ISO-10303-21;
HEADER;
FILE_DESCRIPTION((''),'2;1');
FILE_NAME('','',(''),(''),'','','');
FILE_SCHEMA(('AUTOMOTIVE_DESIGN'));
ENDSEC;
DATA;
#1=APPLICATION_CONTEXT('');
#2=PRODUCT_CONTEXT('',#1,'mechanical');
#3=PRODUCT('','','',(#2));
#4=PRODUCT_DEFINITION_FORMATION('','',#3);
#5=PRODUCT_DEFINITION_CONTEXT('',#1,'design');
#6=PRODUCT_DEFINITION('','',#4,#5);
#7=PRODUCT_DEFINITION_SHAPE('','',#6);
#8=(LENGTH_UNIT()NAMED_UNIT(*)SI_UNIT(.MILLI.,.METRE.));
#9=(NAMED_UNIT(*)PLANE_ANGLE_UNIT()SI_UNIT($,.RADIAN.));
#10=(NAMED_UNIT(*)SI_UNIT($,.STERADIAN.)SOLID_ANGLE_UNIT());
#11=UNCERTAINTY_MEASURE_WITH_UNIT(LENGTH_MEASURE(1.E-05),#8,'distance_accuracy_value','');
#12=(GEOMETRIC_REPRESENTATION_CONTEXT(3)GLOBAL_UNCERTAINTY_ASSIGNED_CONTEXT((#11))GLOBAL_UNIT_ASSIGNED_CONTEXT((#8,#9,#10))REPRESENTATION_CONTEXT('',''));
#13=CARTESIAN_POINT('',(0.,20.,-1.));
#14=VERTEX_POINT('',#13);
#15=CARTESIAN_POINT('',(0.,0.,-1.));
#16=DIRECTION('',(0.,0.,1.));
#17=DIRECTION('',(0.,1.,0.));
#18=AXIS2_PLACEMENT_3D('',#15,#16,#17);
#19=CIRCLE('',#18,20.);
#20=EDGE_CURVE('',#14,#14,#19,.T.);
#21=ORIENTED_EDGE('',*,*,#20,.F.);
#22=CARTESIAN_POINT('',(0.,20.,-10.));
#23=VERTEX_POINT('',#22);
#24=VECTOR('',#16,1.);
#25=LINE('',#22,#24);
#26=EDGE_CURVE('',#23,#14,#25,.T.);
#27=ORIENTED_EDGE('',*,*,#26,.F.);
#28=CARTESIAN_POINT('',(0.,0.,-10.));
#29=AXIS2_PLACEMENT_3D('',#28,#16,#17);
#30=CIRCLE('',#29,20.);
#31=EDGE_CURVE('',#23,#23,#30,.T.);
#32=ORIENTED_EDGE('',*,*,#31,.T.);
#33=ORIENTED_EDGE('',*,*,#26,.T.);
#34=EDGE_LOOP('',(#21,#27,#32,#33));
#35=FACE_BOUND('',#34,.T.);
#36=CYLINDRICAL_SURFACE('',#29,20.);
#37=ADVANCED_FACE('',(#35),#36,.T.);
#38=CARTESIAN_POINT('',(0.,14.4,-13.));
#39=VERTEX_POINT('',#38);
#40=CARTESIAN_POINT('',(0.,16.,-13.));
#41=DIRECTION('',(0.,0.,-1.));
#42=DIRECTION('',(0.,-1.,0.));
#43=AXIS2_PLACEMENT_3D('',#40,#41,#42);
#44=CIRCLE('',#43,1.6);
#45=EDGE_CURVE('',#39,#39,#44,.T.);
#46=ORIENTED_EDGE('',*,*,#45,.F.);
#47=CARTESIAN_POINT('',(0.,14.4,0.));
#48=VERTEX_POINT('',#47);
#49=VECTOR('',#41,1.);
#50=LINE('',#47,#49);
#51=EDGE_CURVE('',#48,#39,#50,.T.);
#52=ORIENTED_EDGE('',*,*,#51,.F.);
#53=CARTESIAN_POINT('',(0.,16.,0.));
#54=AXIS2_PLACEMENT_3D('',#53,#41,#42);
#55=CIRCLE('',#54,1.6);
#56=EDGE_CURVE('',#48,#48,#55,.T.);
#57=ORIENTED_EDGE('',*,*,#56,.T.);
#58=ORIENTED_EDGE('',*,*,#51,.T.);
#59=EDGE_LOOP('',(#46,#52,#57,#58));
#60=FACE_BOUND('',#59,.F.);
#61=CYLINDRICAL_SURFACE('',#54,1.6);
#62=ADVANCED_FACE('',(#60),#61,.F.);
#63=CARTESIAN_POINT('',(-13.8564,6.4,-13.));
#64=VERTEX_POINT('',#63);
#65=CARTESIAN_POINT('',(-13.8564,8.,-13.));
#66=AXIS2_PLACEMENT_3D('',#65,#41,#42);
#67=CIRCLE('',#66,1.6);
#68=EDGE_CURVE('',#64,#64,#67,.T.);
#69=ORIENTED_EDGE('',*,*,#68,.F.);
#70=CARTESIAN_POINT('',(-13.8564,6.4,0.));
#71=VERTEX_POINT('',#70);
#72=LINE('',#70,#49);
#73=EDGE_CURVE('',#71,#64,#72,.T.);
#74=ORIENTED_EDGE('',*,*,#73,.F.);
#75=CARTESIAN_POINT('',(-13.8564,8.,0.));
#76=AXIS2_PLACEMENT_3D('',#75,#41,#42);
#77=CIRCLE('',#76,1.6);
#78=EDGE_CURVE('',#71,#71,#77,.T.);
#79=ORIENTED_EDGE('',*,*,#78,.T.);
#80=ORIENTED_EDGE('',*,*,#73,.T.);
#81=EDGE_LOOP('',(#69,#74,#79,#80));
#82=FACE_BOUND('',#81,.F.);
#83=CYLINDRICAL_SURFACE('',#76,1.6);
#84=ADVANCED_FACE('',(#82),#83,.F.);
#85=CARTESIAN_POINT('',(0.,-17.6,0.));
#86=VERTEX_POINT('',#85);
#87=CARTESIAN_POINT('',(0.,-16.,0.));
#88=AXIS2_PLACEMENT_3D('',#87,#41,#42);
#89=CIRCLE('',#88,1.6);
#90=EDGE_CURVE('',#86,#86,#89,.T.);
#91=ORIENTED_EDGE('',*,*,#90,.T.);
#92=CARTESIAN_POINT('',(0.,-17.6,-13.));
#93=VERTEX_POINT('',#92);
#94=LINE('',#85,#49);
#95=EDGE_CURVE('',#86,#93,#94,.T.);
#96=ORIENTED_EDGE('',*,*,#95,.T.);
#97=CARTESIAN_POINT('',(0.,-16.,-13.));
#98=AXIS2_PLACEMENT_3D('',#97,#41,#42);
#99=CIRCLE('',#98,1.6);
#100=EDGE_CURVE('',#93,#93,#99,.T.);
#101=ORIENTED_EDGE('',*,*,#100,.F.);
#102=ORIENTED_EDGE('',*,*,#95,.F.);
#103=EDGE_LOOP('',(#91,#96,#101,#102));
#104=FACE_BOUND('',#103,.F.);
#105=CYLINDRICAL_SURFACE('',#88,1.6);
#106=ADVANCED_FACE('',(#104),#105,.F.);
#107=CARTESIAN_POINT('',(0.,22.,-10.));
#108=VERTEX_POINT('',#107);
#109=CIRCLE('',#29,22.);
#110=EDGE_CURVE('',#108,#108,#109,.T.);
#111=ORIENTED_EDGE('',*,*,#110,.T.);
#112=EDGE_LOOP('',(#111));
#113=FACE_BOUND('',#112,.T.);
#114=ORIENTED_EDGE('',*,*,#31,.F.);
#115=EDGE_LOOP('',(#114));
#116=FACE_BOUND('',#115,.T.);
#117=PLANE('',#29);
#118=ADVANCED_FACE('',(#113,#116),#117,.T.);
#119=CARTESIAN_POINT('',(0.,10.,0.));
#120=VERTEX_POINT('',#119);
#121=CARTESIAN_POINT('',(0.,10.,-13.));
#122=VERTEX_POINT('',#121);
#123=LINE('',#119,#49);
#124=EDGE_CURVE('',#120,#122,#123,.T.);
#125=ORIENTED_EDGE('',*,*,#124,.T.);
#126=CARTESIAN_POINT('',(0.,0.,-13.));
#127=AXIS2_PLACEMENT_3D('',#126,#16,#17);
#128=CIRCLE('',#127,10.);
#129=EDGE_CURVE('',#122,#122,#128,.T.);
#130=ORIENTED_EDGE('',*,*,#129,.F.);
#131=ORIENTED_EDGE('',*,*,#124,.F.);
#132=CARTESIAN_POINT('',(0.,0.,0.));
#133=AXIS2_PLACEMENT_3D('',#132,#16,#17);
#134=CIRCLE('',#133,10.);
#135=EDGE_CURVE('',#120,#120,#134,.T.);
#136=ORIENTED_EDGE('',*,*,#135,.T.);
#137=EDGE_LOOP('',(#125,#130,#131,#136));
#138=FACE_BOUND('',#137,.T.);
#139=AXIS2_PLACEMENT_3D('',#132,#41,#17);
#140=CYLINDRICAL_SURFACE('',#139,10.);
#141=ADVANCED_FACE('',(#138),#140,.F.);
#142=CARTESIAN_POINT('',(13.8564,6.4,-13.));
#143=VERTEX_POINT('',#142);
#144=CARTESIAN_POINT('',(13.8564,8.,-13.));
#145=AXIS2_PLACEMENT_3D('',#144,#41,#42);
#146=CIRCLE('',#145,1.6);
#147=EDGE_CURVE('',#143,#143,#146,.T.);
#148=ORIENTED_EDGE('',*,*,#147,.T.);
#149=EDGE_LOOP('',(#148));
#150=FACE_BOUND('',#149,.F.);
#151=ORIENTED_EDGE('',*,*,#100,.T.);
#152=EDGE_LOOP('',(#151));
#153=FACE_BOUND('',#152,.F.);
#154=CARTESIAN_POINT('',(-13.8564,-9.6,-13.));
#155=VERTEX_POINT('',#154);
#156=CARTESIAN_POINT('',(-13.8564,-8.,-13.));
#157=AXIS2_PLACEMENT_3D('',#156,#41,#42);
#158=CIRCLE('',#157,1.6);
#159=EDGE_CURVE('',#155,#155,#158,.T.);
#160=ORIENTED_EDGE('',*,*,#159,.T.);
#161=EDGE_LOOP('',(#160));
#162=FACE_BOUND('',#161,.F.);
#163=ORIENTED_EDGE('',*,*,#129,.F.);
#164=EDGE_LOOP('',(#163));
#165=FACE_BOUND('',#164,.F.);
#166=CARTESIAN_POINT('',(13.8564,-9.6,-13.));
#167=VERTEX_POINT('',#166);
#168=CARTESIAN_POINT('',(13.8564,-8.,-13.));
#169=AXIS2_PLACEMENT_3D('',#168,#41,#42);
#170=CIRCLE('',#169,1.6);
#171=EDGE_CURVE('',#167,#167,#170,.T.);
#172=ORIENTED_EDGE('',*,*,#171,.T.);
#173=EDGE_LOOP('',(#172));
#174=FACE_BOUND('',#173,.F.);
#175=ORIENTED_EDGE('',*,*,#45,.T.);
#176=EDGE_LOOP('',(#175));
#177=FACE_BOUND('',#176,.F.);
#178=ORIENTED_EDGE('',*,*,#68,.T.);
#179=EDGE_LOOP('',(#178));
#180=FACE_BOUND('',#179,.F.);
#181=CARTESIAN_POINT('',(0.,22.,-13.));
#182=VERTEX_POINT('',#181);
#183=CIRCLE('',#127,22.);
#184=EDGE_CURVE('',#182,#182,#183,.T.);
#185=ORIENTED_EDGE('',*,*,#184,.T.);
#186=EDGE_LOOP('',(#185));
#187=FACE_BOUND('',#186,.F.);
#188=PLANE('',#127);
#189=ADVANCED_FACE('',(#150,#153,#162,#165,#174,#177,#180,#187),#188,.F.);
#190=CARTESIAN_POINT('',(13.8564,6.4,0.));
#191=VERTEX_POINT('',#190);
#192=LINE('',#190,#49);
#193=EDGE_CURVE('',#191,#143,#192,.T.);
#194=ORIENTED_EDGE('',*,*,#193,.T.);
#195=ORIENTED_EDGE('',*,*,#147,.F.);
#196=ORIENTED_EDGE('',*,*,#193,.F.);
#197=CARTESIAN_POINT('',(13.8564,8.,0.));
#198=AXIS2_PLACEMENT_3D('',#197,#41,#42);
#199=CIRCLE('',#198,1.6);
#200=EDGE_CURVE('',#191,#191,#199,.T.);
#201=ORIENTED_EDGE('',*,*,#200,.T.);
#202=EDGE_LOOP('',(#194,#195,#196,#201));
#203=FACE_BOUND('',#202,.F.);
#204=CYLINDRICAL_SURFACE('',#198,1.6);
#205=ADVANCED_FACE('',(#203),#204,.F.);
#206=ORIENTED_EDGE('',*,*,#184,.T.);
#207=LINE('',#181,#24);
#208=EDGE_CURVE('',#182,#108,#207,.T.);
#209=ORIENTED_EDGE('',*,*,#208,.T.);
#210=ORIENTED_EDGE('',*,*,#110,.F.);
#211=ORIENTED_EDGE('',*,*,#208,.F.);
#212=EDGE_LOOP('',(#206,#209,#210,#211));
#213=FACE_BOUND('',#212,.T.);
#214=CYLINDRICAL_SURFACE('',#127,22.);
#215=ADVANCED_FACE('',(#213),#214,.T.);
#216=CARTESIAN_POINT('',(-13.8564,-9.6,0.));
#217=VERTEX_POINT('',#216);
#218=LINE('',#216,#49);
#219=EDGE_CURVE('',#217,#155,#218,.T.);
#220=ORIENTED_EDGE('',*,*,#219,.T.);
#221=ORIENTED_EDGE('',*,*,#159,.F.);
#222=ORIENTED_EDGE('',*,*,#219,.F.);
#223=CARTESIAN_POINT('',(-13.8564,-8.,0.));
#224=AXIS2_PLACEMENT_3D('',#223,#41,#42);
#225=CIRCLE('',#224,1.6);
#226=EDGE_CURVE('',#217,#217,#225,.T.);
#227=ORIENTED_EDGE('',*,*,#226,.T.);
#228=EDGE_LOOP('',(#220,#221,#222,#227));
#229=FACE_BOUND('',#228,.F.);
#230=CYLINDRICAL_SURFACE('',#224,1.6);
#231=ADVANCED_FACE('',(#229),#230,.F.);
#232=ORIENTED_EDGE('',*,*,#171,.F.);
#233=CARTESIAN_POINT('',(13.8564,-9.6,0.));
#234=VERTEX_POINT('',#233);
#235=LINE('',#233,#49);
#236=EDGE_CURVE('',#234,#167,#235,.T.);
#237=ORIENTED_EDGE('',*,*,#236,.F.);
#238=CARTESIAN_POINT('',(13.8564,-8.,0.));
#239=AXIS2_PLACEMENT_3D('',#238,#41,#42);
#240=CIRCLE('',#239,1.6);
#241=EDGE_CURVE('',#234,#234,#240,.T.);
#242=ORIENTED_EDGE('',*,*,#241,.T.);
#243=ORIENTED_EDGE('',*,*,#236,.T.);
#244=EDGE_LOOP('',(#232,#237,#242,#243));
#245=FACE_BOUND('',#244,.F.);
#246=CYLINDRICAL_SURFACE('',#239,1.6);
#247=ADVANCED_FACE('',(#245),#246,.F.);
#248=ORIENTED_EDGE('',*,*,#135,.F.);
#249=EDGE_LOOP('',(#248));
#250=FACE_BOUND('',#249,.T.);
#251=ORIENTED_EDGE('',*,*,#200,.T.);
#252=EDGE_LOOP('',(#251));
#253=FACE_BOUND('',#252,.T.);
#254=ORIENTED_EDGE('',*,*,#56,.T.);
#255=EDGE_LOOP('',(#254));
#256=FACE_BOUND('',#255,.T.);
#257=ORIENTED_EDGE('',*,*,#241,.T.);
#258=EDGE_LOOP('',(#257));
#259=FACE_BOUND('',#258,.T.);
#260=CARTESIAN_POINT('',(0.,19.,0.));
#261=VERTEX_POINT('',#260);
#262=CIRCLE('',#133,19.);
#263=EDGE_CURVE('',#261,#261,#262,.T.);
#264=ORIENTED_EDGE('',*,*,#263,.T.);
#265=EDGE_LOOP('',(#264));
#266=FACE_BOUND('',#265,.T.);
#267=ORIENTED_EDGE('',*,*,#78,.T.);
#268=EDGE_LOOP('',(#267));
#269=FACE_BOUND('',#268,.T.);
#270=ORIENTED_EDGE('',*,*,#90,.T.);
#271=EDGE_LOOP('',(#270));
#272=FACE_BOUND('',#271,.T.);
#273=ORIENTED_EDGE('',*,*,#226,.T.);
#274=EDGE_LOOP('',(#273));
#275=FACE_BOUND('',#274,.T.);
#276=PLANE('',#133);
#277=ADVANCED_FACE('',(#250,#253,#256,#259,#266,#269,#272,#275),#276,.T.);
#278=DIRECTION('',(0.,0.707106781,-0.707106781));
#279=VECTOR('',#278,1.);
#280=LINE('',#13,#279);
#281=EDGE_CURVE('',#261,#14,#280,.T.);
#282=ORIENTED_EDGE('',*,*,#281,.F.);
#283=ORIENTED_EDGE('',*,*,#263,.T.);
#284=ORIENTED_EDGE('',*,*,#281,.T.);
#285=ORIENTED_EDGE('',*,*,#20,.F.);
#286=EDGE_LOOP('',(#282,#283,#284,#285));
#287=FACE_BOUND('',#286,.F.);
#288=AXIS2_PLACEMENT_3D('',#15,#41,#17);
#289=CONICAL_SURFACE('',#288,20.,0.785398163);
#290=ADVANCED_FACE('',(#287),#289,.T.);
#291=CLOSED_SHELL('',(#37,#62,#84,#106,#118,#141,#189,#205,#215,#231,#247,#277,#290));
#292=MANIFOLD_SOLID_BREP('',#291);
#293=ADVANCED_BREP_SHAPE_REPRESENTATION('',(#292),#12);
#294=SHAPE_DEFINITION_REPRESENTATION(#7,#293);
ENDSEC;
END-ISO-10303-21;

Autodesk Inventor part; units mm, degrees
ref_plane "YZ Plane" through (0, 0, 0) normal (1, 0, 0) x (0, 1, 0)
ref_plane "XZ Plane" through (0, 0, 0) normal (0, 1, 0) x (-1, 0, 0)
ref_plane "XY Plane" through (0, 0, 0) normal (0, 0, 1) x (1, 0, 0)
sketch "スケッチ1" plane through (0, 0, 0) normal (1, 0, 0) x (0, 1, 0)
  line L0 (10, 0) -> (10, -13)
  line L1 (22, -13) -> (22, -10)
  line L2 (22, -10) -> (20, -10)
  line L3 (20, -10) -> (20, 0)
  line L4 (20, 0) -> (10, 0)
  line L5 (0, -15.6) -> (0, 2.6) projected
  line L6 (22, -13) -> (10, -13)
  point P0 (0, 0)
  dimension "d0" = 20
  dimension "d1" = 2
  dimension "d2" = 10
  dimension "d3" = 3
  dimension "d4" = 10
revolve "回転1" add sketch "スケッチ1" angle 360 about axis through (0, 0, -10) along (0, 0, 1)
sketch "スケッチ2" plane through (0, 0, 0) normal (0, 0, 1) x (1, 0, 0)
  circle A0 centre (0, 0) radius 20 projected
  circle A1 centre (0, 0) radius 16
  point P0 (0, 16)
  point P1 (-13.8564, 8)
  point P2 (-13.8564, -8)
  point P3 (0, -16)
  point P4 (13.8564, -8)
  point P5 (13.8564, 8)
  dimension "d8" = 4
  dimension "d11" = 360
hole "穴1" at (0, 16, 0) at (-13.8564, 8, 0) at (-13.8564, -8, 0) at (0, -16, 0) at (13.8564, -8, 0) at (13.8564, 8, 0) direction (0, 0, -1) diameter 3.2 end through all clearance for "Socket Head Cap Screw" size "M3" standard "Ansi Metric M Profile"
chamfer "面取り1" distance 1 angle 45 1 edges at (0, -20, 0)
properties part number "base10" material "ABS プラスチック"
